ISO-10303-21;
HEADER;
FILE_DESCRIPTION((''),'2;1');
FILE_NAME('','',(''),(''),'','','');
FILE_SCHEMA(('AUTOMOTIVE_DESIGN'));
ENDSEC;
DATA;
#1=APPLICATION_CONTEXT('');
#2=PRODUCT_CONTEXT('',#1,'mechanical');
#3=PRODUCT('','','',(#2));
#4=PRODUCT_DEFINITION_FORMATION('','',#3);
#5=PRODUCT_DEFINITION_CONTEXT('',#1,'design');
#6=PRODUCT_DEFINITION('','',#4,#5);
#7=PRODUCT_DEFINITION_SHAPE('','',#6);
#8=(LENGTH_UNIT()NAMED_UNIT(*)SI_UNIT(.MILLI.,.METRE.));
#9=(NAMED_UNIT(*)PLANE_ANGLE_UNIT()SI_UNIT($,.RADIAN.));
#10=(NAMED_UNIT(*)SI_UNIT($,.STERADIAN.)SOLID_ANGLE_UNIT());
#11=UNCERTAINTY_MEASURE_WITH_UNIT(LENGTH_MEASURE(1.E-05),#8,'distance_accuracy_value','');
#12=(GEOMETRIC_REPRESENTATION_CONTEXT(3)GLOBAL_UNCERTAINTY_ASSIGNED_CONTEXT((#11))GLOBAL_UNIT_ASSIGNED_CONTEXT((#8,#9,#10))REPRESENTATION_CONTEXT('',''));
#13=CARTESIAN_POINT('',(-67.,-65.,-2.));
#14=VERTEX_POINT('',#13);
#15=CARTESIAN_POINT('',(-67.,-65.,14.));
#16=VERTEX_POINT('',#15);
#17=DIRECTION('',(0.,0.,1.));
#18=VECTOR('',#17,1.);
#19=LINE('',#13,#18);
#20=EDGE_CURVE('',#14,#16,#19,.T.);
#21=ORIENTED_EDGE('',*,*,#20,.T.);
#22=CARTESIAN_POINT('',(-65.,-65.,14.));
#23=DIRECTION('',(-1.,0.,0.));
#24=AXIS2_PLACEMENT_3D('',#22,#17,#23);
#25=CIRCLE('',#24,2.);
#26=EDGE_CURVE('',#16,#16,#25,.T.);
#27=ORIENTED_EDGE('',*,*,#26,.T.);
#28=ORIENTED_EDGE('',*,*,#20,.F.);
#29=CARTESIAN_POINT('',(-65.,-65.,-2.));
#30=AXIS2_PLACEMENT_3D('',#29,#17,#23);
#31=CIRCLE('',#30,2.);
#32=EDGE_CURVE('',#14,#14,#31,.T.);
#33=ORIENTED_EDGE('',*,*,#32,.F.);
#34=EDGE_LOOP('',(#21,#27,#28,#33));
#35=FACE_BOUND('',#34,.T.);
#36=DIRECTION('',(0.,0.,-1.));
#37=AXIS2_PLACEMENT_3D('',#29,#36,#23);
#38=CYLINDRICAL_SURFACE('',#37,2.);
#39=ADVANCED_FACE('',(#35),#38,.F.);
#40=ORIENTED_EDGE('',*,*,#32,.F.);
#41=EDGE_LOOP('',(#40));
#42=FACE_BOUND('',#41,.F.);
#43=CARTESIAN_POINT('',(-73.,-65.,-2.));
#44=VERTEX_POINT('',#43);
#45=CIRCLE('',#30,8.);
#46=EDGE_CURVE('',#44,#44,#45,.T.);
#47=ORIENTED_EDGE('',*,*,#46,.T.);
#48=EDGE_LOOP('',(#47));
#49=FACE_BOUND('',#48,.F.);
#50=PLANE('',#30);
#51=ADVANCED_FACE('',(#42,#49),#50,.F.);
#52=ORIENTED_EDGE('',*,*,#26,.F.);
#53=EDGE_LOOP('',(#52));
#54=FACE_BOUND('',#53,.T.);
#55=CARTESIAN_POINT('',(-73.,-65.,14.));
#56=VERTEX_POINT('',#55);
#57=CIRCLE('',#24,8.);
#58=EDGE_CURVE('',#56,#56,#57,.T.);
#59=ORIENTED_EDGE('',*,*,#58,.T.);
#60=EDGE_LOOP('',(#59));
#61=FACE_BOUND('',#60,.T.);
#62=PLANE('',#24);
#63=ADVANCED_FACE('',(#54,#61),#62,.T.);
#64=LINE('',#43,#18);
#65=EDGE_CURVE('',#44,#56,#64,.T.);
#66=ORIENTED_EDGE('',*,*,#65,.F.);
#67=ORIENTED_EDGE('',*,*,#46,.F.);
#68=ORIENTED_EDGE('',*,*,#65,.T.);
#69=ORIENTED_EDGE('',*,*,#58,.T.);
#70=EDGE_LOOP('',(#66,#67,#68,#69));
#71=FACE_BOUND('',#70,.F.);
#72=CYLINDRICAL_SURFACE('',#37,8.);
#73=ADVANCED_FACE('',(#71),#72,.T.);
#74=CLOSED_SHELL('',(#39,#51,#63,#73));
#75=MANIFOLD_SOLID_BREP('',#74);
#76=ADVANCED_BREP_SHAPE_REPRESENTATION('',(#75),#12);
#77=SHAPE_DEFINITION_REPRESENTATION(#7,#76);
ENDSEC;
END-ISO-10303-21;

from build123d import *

# Parameters (mm, degrees)
SKETCH136_R   = 8
SKETCH136_R_2 = 2
PAD039_DEPTH  = 16


with BuildPart() as body094:
    # Sketch136 → Pad039 (new body)
    with BuildSketch(Plane.XY):
        Circle(SKETCH136_R)
        Circle(SKETCH136_R_2, mode=Mode.SUBTRACT)
    extrude(amount=PAD039_DEPTH)


with BuildPart() as body094_1:
    # Body094 placement: moved
    add(body094.part.moved(Location((65, 65, -2))))


with BuildPart() as part_mirroring066:
    # Part__Mirroring066: instance of Body094
    add(body094_1.part.mirror(Plane(origin=(0, 0, 0), x_dir=(0, -1, 0), z_dir=(1, 0, 0))))


with BuildPart() as part_mirroring068:
    # Part__Mirroring068: instance of Part__Mirroring066
    add(part_mirroring066.part.mirror(Plane(origin=(0, 0, 0), x_dir=(1, 0, 0), z_dir=(0, 1, 0))))


solid = part_mirroring068.part
